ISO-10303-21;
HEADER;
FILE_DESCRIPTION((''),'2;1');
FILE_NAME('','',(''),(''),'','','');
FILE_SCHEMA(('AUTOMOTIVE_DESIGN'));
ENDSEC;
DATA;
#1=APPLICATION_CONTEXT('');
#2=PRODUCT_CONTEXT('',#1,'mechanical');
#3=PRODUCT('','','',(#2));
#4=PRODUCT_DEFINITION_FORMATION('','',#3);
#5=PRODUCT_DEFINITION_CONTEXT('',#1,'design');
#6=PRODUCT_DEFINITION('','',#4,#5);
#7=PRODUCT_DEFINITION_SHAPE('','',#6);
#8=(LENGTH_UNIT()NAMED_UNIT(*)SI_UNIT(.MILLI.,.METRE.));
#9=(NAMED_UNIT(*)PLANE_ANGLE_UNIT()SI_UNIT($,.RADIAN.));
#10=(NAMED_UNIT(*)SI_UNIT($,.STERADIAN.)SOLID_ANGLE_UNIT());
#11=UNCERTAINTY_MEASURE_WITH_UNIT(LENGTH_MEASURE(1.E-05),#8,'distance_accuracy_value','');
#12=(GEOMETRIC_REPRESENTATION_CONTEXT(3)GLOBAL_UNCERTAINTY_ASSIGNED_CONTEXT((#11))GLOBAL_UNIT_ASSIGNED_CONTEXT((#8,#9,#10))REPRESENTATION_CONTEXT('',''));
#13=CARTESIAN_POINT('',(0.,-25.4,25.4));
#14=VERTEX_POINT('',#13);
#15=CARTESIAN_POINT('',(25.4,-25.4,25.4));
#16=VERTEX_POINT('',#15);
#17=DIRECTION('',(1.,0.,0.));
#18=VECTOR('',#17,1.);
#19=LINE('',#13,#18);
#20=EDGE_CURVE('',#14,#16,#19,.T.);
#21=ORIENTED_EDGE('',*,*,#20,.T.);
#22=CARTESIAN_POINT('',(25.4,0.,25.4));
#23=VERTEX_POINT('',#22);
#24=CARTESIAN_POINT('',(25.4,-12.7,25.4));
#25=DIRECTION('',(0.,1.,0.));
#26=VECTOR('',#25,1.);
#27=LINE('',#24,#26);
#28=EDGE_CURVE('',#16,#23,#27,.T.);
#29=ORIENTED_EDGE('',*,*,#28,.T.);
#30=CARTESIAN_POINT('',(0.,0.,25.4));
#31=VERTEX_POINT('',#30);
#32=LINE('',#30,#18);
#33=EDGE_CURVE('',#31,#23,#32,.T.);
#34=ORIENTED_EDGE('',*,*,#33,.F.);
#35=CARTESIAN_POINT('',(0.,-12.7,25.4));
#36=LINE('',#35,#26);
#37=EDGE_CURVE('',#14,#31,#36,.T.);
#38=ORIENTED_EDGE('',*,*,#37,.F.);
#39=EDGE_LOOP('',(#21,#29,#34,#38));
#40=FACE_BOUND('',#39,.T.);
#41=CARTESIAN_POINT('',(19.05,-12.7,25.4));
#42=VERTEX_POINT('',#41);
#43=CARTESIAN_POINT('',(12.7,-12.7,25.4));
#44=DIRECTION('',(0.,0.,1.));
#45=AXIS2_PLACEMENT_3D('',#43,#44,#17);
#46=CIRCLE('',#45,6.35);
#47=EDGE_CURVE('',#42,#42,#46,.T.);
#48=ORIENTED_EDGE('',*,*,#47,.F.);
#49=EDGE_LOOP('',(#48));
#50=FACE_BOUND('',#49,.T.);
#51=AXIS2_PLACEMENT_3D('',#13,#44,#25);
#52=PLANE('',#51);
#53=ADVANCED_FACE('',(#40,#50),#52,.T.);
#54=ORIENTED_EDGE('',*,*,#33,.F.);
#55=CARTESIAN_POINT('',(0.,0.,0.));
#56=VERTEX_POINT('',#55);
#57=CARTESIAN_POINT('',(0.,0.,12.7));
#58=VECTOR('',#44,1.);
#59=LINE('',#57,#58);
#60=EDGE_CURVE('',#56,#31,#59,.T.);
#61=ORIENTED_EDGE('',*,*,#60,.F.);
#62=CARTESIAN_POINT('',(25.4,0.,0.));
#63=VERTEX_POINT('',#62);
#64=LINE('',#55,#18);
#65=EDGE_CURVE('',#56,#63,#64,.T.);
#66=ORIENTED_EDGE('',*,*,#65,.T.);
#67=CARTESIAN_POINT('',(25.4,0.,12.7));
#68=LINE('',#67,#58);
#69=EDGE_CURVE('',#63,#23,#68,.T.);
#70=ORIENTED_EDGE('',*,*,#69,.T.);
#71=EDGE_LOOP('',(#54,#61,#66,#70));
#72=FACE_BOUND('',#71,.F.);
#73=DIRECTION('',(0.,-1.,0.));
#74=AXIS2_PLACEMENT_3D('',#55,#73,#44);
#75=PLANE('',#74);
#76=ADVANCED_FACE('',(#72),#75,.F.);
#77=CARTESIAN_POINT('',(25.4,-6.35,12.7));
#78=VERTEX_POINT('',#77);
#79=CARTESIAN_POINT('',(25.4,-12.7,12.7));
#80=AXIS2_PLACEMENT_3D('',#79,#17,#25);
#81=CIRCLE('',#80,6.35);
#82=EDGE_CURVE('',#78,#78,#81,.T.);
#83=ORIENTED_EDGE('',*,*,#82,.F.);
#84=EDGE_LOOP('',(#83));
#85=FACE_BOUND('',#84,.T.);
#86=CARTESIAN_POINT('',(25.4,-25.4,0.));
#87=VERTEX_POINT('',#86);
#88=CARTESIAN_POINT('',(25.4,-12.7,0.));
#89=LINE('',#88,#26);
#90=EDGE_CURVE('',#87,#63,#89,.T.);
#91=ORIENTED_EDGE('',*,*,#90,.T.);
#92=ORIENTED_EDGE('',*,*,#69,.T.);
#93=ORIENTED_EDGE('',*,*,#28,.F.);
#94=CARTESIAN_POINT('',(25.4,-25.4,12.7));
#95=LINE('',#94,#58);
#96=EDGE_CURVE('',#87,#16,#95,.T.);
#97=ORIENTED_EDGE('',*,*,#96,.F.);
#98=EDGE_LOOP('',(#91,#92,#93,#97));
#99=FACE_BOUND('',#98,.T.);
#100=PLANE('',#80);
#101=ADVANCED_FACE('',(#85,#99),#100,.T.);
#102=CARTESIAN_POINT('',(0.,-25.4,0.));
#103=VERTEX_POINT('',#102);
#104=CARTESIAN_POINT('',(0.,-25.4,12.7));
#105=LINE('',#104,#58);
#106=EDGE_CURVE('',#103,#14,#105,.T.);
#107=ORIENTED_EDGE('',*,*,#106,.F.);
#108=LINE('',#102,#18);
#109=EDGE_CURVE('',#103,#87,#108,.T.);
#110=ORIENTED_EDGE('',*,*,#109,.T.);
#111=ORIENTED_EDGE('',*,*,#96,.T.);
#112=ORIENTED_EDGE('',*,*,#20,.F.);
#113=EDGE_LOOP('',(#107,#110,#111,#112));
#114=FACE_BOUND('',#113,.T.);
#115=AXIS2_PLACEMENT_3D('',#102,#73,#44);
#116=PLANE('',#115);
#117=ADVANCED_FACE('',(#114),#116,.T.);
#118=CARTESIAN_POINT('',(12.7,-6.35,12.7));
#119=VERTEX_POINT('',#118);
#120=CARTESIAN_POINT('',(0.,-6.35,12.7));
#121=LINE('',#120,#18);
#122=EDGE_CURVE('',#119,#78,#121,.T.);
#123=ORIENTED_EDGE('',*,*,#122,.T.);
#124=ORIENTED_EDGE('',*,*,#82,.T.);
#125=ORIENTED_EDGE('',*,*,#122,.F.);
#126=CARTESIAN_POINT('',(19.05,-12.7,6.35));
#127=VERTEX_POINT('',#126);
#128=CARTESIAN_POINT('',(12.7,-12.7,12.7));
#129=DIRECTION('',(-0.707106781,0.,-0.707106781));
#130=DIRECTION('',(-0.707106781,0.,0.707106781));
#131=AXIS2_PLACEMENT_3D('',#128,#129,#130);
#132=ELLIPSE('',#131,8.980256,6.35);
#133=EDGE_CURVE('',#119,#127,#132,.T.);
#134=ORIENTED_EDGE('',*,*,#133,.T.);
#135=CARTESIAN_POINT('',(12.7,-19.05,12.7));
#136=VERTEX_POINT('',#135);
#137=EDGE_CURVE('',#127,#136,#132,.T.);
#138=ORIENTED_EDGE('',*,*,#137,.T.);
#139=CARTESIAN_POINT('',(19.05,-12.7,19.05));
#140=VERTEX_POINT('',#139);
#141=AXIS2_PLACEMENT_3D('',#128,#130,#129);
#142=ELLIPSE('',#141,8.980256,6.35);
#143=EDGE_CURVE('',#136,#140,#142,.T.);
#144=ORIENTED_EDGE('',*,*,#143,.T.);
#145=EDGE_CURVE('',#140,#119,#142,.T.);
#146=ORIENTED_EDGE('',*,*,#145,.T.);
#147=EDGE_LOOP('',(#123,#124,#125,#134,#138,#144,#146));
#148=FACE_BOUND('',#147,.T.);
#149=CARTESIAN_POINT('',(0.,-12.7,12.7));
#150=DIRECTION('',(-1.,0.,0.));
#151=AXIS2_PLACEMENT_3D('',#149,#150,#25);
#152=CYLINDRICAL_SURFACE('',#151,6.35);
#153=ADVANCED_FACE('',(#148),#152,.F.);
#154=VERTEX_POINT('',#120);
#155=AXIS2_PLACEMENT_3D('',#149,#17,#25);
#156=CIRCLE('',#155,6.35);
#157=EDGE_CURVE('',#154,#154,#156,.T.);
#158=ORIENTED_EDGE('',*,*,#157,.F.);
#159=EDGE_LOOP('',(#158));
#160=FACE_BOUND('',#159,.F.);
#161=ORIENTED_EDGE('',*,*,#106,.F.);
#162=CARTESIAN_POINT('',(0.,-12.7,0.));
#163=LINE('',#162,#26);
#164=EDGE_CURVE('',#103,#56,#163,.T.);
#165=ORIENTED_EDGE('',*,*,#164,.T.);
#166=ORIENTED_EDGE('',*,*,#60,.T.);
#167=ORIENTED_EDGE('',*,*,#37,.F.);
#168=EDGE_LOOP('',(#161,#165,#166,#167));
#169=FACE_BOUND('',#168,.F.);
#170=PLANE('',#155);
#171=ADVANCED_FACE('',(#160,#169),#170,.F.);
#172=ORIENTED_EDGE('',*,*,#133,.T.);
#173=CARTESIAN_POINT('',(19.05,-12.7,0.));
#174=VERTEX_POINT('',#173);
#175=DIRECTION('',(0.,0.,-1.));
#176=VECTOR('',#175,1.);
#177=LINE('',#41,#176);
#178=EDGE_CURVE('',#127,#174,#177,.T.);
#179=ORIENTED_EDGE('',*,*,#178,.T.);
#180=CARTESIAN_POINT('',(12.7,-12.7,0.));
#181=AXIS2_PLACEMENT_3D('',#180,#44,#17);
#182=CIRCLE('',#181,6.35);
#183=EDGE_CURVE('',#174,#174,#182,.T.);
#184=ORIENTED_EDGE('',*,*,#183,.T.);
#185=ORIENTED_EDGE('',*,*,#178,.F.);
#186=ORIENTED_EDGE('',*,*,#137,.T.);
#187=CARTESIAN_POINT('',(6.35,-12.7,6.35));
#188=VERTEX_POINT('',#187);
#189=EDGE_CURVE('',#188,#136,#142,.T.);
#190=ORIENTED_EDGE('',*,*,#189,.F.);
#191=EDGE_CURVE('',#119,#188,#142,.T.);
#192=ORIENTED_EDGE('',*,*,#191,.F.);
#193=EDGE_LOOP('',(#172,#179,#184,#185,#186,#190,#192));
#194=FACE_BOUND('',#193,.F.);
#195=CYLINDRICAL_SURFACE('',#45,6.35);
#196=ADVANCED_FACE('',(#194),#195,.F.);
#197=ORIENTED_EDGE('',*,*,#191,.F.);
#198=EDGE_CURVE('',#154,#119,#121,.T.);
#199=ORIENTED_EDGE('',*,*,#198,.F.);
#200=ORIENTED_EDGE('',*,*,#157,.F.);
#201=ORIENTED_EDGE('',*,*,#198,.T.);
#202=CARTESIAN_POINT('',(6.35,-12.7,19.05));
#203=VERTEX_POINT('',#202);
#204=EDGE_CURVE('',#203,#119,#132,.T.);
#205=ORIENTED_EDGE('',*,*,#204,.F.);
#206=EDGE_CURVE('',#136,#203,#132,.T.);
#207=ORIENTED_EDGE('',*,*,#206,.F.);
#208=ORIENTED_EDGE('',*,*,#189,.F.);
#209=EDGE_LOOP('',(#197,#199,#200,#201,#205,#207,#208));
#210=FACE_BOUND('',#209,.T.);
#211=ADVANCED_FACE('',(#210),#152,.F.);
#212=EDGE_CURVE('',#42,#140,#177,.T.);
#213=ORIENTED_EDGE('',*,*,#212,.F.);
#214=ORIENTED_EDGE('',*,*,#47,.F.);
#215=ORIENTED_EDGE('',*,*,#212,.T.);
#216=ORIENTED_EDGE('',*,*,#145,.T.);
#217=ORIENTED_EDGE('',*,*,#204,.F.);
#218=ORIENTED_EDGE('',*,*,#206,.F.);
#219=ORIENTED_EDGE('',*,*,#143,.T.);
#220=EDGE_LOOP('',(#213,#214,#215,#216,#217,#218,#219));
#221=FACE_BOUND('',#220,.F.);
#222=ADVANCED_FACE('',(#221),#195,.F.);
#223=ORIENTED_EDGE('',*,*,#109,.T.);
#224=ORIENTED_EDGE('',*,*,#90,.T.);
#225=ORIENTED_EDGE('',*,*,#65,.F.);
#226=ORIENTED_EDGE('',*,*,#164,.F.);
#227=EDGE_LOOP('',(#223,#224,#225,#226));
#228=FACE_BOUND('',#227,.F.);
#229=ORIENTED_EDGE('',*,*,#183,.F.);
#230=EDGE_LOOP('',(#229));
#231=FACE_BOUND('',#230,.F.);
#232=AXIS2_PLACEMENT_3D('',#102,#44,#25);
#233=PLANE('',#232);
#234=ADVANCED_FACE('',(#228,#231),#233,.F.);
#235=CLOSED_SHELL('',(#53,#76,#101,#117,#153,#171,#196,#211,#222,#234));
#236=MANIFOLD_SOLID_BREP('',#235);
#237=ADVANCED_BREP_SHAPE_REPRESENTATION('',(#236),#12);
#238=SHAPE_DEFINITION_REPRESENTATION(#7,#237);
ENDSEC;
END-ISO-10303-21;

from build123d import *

# Parameters (mm, degrees)
F0_W     = 25.4
F0_H     = 25.4
F0_R     = 6.35
F1_DEPTH = 25.4
F2_R     = 6.35
F3_DEPTH = 25.401


with BuildPart() as f1:
    # F0 (on Right) → F1 (new body)
    with BuildSketch(Plane.YZ):
        with Locations((-12.7, 12.7)):
            Rectangle(F0_W, F0_H)
        with Locations((-12.7, 12.7)):
            Circle(F0_R, mode=Mode.SUBTRACT)
    extrude(amount=F1_DEPTH)

    # F2 (on face) → F3 (cut, through all)
    with BuildSketch(Plane.XY.offset(25.4)):
        with Locations((12.7, -12.7)):
            Circle(F2_R)
    extrude(amount=-F3_DEPTH, mode=Mode.SUBTRACT)


solid = f1.part
